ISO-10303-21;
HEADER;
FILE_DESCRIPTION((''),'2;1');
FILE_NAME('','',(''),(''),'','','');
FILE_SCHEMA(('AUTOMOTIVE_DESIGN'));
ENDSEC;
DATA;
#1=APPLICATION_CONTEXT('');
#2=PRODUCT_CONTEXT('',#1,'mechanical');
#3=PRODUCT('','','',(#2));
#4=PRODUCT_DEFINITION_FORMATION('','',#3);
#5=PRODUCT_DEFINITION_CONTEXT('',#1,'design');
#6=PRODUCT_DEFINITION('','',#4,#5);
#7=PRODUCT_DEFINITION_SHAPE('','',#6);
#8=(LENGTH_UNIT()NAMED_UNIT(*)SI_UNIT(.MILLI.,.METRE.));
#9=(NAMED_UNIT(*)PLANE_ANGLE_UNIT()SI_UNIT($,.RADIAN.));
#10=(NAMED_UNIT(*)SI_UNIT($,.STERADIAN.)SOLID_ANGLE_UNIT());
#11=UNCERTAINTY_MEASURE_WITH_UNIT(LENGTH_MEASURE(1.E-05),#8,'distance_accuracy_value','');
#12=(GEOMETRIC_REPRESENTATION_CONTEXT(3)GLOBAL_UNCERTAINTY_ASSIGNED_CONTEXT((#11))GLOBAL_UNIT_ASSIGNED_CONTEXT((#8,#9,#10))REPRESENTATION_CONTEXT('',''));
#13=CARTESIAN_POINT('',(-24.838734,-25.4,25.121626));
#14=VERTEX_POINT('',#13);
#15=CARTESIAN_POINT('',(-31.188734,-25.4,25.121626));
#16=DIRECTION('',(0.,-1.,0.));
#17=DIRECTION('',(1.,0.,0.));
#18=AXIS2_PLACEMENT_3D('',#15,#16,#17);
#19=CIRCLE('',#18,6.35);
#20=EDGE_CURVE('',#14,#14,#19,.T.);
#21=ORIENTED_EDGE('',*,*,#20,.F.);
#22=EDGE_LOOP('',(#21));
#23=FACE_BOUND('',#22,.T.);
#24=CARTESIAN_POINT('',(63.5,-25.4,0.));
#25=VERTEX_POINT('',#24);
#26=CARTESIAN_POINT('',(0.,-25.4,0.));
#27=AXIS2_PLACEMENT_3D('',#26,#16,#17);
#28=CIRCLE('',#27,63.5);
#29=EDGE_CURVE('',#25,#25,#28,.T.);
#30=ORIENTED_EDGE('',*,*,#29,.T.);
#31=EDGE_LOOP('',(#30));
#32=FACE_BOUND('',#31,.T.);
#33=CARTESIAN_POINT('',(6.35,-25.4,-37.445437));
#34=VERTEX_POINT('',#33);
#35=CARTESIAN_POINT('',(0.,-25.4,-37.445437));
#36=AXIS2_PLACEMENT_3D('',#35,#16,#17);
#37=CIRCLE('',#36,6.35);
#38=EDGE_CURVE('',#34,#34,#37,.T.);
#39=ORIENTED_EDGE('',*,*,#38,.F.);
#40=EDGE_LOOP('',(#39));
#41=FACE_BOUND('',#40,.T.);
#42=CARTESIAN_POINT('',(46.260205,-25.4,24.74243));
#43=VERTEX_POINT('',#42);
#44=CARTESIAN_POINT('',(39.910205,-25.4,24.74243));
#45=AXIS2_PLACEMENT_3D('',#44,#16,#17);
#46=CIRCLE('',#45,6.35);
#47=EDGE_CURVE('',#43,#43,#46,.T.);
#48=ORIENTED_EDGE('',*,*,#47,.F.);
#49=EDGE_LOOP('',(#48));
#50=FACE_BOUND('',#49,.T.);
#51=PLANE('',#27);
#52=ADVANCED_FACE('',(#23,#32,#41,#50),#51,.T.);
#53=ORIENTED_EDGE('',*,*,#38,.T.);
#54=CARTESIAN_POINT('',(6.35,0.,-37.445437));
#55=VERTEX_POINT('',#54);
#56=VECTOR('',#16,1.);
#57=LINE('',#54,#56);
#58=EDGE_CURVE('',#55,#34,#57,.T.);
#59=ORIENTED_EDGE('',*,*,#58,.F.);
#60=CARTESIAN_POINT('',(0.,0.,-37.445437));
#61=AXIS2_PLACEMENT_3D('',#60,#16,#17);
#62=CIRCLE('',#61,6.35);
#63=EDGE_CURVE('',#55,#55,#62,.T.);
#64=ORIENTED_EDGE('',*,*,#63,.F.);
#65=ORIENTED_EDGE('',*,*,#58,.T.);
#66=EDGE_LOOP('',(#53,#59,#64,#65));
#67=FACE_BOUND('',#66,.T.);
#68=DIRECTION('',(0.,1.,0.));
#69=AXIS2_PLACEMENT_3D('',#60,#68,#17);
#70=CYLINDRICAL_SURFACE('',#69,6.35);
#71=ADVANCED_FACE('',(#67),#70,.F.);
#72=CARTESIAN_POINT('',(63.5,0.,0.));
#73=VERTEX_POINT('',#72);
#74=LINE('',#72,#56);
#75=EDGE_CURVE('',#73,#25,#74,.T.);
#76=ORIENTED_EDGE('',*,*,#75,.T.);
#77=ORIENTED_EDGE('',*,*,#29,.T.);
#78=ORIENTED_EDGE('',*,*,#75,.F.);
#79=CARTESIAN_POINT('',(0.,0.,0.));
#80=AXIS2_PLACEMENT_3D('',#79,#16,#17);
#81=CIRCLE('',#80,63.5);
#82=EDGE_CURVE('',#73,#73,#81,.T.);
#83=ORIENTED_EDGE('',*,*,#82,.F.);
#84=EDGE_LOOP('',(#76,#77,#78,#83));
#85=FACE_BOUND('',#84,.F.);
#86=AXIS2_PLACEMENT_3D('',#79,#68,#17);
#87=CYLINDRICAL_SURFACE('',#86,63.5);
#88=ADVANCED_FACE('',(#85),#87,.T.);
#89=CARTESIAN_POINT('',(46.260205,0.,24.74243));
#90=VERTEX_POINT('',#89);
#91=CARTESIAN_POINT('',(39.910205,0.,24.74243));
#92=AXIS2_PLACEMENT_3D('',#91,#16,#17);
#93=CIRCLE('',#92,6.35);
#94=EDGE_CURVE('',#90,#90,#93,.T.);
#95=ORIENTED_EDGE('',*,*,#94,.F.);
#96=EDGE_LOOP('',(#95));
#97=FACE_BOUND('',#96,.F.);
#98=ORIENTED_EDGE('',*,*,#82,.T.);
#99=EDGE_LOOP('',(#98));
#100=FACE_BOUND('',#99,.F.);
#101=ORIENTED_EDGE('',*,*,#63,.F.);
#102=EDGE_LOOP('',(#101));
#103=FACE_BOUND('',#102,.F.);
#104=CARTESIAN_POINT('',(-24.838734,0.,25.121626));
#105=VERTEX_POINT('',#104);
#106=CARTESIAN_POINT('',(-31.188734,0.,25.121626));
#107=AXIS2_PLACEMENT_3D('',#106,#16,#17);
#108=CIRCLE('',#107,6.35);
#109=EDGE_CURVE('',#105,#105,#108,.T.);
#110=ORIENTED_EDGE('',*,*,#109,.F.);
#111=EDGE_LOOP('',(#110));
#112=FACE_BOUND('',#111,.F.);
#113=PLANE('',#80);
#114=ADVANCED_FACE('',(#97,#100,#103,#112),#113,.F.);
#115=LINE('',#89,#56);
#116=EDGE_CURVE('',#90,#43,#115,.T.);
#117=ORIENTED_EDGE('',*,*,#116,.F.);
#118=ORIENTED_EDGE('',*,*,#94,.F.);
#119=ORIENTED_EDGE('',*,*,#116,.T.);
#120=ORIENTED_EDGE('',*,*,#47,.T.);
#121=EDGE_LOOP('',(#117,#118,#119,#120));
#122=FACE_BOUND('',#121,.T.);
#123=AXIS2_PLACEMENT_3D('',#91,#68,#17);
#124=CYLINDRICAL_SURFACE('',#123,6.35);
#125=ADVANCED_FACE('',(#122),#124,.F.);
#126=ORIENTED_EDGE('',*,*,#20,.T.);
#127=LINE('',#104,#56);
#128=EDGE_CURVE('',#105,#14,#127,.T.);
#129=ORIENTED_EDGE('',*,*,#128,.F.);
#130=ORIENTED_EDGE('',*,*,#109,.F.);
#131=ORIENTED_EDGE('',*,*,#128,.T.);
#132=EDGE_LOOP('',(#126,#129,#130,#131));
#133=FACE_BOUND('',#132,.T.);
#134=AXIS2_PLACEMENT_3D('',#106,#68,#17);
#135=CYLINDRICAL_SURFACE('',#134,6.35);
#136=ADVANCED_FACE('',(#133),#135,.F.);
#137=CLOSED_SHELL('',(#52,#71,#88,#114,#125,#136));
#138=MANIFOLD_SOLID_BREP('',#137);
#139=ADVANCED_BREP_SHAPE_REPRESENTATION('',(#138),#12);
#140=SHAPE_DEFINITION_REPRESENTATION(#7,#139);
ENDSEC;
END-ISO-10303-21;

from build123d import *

# Parameters (mm, degrees)
F0_R     = 63.5
F0_R_2   = 6.35
F1_DEPTH = 25.4


with BuildPart() as f1:
    # F0 (on Front) → F1 (new body)
    with BuildSketch(Plane.XZ):
        Circle(F0_R)
        with Locations((0, -37.445437)):
            Circle(F0_R_2, mode=Mode.SUBTRACT)
        with Locations((-31.188734, 25.121626)):
            Circle(F0_R_2, mode=Mode.SUBTRACT)
        with Locations((39.910205, 24.74243)):
            Circle(F0_R_2, mode=Mode.SUBTRACT)
    extrude(amount=F1_DEPTH)


solid = f1.part
